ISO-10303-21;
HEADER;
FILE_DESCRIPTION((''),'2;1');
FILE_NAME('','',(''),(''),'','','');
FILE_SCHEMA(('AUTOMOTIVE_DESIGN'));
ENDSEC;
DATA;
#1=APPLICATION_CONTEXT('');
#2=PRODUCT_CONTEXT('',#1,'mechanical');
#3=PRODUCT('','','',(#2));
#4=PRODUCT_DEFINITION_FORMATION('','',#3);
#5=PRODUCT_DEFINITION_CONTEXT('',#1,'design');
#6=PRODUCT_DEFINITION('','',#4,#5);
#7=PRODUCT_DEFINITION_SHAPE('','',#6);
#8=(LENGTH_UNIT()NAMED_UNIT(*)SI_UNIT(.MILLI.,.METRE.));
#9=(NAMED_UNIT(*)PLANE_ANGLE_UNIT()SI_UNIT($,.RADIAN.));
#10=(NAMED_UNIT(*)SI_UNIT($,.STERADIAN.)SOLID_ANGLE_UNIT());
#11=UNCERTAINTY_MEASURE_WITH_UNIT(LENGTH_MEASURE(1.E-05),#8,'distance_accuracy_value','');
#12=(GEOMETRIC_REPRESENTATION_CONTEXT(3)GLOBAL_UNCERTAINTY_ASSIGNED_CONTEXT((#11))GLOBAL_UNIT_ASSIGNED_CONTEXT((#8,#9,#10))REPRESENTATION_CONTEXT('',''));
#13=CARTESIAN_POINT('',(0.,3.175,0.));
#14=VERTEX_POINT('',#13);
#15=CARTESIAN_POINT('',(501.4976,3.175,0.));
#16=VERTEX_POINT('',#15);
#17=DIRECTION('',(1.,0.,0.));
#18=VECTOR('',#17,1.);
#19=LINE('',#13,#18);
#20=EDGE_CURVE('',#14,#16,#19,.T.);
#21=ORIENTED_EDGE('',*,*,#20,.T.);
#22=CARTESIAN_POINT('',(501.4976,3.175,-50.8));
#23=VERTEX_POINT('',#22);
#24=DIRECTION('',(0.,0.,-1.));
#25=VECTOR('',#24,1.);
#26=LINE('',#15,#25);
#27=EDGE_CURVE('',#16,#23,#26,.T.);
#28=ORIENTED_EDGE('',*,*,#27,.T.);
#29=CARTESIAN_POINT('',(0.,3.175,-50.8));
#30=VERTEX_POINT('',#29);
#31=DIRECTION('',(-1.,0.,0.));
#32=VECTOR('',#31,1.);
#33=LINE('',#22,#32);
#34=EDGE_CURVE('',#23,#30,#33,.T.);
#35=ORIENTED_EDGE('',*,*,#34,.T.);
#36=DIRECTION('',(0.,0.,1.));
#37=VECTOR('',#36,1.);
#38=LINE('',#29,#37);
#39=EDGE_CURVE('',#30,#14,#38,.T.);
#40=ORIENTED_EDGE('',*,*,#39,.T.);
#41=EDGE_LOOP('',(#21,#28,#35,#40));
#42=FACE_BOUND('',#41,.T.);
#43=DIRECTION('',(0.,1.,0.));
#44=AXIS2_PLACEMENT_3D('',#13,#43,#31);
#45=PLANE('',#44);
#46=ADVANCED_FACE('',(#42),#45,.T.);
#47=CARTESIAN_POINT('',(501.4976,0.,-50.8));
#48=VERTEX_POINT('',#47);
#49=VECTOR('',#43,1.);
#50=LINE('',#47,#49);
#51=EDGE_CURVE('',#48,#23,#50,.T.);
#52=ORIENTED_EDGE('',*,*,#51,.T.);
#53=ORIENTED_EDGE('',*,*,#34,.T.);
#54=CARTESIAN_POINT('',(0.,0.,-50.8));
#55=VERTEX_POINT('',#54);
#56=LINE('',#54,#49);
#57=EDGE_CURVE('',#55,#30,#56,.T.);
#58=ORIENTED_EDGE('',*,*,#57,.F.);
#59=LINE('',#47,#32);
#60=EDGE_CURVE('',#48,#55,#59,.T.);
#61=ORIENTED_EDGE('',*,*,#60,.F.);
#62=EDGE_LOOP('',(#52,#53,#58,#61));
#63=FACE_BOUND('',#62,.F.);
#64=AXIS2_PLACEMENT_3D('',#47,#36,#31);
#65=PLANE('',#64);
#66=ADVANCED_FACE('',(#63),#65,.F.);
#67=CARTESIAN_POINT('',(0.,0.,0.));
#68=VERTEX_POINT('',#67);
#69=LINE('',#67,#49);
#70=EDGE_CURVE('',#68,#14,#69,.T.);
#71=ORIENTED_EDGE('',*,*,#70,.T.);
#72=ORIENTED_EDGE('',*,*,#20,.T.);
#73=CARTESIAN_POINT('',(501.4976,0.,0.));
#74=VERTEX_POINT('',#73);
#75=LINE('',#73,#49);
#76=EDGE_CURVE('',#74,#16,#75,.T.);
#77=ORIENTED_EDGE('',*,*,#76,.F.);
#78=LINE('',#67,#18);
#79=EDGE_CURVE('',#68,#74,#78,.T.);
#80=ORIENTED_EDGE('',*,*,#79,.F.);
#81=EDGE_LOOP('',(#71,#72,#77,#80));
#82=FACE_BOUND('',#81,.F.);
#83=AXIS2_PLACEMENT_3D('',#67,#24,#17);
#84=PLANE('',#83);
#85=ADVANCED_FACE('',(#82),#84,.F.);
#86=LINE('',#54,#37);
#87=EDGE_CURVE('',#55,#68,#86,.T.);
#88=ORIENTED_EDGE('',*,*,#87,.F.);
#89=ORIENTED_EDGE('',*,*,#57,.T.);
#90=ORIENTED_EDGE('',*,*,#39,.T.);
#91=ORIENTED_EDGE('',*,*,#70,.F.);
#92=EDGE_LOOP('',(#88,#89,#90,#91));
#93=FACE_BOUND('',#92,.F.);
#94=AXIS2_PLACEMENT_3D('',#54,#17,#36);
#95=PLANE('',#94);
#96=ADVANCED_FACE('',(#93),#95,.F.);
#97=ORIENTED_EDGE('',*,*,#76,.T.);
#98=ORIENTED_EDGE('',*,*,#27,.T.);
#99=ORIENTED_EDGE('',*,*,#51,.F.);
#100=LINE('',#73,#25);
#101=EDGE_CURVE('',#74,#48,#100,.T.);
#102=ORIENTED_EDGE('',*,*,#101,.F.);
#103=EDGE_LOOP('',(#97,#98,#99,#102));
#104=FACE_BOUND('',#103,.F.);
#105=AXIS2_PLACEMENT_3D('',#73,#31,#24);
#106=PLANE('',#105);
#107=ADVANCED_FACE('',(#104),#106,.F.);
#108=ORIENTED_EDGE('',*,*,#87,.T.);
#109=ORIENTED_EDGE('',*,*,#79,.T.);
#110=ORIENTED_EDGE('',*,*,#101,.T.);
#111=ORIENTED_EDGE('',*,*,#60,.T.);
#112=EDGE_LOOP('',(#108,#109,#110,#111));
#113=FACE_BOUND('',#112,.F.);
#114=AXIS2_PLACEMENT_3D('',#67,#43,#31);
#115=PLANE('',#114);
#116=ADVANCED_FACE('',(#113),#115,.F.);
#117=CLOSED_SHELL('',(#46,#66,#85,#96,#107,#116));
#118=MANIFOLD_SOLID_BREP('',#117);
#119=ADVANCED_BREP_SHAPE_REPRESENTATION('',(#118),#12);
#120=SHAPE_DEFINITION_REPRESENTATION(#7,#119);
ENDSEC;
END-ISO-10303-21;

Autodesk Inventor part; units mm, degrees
ref_plane "YZ Plane" through (0, 0, 0) normal (1, 0, 0) x (0, 1, 0)
ref_plane "XZ Plane" through (0, 0, 0) normal (0, 1, 0) x (-1, 0, 0)
ref_plane "XY Plane" through (0, 0, 0) normal (0, 0, 1) x (1, 0, 0)
sketch "Sketch1" plane through (0, 0, 0) normal (0, 1, 0) x (-1, 0, 0)
  line L0 (0, 0) -> (-501.4976, 0)
  line L1 (-501.4976, 0) -> (-501.4976, -50.8)
  line L2 (-501.4976, -50.8) -> (0, -50.8)
  line L3 (0, -50.8) -> (0, 0)
  dimension "d0" = 501.4976
  dimension "d1" = 50.8
extrude "Extrusion1" add sketch "Sketch1" along normal blind 3.175
properties part number "SheetConnector" material "Aluminum 6061"
